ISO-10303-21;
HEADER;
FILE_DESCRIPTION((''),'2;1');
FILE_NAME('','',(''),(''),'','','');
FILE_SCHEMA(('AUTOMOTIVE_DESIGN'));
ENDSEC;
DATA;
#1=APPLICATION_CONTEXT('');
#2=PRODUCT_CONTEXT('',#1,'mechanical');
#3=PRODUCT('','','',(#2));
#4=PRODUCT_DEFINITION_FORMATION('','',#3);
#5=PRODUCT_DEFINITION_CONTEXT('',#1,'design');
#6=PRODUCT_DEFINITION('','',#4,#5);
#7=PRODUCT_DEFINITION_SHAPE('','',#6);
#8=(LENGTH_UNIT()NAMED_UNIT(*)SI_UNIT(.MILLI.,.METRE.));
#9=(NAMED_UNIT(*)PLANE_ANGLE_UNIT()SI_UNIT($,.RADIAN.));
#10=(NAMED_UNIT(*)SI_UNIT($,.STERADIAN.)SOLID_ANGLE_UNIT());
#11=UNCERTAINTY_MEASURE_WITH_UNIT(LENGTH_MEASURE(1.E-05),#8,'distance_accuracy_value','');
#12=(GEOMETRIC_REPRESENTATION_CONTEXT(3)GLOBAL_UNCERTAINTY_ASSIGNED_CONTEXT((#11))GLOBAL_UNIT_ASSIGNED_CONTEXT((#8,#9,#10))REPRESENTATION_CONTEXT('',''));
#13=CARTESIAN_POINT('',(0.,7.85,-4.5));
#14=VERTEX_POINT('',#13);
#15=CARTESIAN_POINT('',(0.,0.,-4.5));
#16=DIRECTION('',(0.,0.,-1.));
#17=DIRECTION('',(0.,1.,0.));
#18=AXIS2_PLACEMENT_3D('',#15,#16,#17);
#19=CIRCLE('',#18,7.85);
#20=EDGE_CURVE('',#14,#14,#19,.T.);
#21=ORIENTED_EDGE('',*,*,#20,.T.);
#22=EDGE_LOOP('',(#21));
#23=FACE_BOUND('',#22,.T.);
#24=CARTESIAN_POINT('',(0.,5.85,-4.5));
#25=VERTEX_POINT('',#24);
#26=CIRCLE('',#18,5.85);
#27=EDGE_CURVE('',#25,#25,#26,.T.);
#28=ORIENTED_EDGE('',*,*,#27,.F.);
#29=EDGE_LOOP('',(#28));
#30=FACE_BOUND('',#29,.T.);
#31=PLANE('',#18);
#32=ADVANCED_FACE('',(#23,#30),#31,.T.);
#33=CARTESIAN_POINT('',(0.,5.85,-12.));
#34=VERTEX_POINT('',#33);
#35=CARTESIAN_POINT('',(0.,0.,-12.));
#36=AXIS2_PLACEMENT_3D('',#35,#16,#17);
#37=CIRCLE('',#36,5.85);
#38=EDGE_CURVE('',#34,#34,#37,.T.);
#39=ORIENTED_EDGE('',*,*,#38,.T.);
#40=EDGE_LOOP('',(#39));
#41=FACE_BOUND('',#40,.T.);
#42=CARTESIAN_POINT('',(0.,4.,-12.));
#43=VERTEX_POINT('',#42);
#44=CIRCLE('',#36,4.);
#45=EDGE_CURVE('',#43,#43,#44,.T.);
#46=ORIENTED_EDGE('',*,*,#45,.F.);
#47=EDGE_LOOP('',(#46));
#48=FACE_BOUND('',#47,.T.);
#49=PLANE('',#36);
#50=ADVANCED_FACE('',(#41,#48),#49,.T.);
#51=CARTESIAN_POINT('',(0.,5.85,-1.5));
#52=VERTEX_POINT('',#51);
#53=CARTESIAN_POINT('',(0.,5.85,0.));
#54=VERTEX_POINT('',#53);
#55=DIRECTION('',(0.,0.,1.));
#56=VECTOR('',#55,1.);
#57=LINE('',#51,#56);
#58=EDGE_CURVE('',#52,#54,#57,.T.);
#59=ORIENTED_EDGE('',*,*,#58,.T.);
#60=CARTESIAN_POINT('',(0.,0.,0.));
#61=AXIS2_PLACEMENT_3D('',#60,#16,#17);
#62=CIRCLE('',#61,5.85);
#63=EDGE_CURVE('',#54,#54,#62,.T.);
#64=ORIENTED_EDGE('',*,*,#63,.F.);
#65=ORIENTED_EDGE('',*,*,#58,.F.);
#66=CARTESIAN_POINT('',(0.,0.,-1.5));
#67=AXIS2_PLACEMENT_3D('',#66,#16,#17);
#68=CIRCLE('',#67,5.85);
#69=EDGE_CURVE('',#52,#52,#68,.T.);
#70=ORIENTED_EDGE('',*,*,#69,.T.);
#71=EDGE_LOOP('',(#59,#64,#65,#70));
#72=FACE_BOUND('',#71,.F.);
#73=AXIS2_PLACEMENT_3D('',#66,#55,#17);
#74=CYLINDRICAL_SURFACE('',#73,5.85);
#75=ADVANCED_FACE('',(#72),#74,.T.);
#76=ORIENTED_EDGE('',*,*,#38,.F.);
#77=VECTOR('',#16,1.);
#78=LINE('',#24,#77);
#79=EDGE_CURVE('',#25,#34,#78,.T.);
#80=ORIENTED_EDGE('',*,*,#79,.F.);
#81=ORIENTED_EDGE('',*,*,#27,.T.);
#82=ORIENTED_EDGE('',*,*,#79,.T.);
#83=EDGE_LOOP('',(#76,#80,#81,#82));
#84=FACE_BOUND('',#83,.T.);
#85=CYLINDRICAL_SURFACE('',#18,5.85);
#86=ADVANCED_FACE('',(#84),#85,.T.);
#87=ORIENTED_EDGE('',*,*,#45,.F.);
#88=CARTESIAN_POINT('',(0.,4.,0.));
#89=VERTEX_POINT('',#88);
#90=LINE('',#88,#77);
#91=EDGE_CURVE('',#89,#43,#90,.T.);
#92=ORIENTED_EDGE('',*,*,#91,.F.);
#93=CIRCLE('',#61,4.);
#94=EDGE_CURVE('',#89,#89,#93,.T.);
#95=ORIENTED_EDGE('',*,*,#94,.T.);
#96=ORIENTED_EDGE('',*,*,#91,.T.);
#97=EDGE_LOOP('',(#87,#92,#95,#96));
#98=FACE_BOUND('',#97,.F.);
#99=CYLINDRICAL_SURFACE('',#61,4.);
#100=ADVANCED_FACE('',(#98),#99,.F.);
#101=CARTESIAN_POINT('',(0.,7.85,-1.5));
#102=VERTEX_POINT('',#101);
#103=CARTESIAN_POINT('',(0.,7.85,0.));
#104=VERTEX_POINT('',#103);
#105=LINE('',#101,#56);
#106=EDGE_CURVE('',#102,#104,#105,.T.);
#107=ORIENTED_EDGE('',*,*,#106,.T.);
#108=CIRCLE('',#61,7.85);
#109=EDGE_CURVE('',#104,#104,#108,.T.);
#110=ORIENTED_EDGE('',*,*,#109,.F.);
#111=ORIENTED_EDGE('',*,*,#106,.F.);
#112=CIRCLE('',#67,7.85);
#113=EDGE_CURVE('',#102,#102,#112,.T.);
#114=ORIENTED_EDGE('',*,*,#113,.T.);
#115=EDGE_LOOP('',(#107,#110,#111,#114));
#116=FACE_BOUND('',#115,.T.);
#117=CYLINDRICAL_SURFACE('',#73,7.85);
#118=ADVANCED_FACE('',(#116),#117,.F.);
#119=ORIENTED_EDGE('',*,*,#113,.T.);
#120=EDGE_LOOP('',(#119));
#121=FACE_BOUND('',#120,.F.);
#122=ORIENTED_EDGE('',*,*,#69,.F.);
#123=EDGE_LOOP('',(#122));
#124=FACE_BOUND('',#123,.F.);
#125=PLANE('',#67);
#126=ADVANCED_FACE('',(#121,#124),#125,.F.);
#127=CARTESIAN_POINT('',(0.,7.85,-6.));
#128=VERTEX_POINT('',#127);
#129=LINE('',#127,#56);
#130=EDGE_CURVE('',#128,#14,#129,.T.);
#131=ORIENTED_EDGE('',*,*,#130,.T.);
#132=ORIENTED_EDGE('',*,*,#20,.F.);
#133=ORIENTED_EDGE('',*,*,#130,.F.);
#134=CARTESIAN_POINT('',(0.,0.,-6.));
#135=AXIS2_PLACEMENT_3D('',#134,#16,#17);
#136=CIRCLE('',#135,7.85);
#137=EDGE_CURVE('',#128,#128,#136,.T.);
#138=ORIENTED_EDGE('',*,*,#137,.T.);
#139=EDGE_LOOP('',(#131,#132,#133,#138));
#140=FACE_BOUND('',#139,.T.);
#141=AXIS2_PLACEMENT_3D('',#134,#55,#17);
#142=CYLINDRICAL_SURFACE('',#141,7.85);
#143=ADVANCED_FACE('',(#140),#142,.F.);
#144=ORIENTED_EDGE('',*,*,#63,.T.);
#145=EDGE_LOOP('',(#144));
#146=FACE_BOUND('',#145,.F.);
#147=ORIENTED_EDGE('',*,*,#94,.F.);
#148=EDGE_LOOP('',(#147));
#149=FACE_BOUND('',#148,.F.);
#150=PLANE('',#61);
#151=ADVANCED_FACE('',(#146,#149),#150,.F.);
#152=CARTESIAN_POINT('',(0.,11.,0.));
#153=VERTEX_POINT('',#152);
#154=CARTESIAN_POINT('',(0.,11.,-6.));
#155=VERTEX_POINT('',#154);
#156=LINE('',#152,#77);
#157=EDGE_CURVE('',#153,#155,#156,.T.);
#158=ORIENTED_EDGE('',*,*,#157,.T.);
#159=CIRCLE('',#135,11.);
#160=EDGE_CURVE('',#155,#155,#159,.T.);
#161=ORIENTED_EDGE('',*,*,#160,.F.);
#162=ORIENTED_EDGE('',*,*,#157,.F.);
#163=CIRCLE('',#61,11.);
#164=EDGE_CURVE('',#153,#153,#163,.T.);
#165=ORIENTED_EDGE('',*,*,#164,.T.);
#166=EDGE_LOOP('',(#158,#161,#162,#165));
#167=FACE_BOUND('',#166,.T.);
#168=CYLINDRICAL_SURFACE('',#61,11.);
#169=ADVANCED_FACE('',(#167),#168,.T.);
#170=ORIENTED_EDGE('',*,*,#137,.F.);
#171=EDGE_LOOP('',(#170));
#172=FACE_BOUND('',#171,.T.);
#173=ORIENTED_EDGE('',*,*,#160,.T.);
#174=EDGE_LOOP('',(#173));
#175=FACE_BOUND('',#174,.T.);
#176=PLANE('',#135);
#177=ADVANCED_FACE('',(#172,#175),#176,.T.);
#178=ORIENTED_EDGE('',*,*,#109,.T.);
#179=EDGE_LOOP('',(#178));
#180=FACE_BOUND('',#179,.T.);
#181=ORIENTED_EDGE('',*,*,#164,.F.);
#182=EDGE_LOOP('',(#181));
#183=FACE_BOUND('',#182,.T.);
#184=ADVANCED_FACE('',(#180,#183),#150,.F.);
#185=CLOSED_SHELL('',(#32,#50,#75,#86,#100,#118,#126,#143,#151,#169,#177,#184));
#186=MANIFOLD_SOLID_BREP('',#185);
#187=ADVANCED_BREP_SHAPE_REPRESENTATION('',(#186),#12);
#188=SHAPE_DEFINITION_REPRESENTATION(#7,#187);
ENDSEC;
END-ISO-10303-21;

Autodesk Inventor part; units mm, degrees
ref_plane "YZ Plane" through (0, 0, 0) normal (1, 0, 0) x (0, 1, 0)
ref_plane "XZ Plane" through (0, 0, 0) normal (0, 1, 0) x (-1, 0, 0)
ref_plane "XY Plane" through (0, 0, 0) normal (0, 0, 1) x (1, 0, 0)
sketch "Esquisse1" plane through (0, 0, 0) normal (1, 0, 0) x (0, 1, 0)
  line L0 (0, 21.0755) -> (0, -24.2543)
  line L1 (7.85, -1.5) -> (7.85, 0)
  line L2 (7.85, 0) -> (11, 0)
  line L3 (11, 0) -> (11, -6)
  line L4 (11, -6) -> (7.85, -6)
  line L5 (7.85, -6) -> (7.85, -4.5)
  line L6 (7.85, -4.5) -> (5.85, -4.5)
  line L7 (5.85, -4.5) -> (5.85, -12)
  line L8 (5.85, -12) -> (4, -12)
  line L9 (7.85, -1.5) -> (5.85, -1.5)
  line L10 (5.85, -1.5) -> (5.85, 0)
  line L11 (5.85, 0) -> (4, 0)
  line L12 (4, 0) -> (4, -12)
  line L13 (6.85, -1.5) -> (6.85, -4.5) construction
  line L14 (6.85, -3) -> (11, -3) construction
  point P0 (0, 0)
  point P1 (7.85, -5.25)
  dimension "d0" = 11.7
  dimension "d1" = 8
  dimension "d2" = 12
  dimension "d3" = 6
  dimension "d4" = 22
  dimension "d5" = 2
  dimension "d6" = 3
revolve "Révolution1" add sketch "Esquisse1" angle 360 about axis through (0, 0, 21.0755) along (0, 0, -1)
properties part number "engrenage_simplifie_nouveau"
